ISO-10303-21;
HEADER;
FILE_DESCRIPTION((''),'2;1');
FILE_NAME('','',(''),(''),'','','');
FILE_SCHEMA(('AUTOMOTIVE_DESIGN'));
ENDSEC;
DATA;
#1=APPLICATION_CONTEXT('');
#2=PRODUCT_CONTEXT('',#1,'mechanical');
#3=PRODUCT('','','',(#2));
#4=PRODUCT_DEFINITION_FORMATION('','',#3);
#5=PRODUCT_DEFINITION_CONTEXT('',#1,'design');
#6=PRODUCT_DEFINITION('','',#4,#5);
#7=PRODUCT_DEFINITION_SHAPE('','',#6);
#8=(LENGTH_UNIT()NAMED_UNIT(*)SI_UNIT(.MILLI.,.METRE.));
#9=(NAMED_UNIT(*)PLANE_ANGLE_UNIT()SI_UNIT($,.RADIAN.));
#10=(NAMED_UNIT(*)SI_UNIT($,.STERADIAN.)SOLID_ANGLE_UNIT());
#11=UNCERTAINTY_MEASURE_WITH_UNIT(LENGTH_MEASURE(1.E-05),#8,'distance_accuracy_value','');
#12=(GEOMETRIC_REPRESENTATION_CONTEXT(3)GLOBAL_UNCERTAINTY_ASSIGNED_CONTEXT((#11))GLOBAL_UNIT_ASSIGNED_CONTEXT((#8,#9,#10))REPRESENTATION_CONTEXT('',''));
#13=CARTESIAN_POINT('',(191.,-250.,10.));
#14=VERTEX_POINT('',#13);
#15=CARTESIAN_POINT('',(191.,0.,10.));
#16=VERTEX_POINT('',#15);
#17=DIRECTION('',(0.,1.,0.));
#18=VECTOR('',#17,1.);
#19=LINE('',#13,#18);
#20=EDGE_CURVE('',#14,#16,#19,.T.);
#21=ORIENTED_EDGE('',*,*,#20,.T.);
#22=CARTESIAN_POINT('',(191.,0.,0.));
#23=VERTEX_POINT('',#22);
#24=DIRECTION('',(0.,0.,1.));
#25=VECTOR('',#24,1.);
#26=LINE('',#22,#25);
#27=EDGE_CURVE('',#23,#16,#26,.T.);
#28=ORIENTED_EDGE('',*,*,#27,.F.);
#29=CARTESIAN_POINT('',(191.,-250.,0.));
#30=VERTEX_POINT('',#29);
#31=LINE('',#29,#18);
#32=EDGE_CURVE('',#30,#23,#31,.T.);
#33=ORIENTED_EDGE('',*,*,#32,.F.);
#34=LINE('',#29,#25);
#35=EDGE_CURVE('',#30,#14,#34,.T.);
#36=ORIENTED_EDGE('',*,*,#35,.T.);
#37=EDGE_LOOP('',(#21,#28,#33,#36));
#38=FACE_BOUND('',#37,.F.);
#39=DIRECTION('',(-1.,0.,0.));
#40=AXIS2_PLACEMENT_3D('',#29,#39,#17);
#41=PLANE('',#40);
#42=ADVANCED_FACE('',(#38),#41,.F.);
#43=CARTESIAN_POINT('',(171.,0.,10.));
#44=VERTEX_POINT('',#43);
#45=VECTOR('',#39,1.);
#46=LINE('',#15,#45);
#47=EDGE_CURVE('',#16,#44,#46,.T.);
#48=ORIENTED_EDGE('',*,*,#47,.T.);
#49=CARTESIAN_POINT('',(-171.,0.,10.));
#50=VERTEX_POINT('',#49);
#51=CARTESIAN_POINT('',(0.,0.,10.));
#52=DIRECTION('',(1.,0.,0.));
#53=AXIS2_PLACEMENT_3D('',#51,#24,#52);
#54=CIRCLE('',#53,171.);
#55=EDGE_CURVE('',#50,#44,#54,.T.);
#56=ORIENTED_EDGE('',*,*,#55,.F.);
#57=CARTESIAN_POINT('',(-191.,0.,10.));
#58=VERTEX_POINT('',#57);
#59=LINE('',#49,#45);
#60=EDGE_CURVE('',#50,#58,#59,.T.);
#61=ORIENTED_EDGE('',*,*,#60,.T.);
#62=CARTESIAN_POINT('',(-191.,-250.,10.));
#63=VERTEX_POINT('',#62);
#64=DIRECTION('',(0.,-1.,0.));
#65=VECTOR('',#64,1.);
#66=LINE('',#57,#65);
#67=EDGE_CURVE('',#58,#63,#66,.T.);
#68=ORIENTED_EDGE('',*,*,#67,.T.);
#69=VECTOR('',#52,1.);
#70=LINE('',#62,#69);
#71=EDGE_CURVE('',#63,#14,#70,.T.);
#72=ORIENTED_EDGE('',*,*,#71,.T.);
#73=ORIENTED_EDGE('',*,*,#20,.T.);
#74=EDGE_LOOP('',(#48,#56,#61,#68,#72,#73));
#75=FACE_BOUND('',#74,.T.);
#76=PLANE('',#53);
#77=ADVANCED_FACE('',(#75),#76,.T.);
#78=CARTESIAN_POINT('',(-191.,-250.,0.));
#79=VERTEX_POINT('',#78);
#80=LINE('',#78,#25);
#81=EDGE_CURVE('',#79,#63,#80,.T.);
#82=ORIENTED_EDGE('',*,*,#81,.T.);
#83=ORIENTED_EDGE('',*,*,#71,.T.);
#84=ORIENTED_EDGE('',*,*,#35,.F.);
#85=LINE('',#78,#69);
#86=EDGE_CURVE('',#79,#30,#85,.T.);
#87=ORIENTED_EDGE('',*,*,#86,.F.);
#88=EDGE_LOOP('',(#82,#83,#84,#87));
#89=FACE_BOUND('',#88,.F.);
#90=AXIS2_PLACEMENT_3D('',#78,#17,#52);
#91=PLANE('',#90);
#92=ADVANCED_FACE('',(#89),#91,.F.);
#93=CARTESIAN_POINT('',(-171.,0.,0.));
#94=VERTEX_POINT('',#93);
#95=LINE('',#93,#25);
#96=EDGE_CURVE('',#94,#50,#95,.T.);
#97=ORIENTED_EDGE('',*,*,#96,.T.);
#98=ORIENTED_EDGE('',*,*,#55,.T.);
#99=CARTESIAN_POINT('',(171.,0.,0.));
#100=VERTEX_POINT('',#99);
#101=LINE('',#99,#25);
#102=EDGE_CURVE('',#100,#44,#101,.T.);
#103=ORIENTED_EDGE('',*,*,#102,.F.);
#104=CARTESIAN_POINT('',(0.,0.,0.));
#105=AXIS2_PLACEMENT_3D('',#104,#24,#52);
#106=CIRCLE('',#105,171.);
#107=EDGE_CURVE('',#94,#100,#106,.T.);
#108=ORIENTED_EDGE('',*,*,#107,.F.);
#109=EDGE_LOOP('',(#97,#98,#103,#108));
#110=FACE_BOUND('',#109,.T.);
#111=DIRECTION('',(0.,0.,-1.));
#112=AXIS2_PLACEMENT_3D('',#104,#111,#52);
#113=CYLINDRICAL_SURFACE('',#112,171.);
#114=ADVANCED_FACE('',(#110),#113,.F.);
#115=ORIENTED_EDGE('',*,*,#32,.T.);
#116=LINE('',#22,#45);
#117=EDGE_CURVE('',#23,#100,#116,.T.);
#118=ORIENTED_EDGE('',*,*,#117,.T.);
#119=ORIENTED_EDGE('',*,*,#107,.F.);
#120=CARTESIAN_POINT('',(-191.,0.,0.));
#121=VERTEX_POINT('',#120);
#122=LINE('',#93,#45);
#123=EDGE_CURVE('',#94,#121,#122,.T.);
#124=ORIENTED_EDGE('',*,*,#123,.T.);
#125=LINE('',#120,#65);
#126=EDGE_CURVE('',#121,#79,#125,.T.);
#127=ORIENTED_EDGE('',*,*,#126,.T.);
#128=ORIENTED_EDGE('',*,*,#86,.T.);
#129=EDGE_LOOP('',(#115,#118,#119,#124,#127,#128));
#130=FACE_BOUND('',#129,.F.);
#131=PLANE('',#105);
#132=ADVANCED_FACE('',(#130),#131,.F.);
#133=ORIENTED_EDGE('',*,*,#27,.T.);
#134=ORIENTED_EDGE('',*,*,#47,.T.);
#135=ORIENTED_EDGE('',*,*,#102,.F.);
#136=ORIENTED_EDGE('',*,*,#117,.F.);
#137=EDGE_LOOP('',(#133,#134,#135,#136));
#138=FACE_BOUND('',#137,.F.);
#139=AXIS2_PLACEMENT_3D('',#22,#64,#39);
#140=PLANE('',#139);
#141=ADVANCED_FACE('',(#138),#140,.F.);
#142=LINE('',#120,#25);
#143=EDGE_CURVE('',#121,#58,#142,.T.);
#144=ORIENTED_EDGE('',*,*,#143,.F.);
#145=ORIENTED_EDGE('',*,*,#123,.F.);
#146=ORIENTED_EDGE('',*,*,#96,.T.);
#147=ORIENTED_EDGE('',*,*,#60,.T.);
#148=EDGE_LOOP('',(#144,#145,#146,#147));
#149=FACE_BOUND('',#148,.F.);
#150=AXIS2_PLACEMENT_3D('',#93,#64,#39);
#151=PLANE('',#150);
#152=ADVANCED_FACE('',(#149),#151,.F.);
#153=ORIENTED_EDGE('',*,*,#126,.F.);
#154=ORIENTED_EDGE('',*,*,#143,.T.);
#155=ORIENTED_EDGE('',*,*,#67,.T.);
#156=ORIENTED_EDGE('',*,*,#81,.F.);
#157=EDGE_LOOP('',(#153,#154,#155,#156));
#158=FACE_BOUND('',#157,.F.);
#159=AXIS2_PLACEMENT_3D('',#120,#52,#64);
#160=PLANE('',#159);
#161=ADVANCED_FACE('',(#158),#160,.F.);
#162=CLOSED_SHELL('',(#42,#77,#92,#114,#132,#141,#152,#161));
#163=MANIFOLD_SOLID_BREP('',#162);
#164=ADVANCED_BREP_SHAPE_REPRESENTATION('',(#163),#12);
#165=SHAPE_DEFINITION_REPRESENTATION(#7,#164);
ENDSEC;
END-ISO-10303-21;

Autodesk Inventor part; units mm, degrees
ref_plane "YZ Plane" through (0, 0, 0) normal (1, 0, 0) x (0, 1, 0)
ref_plane "XZ Plane" through (0, 0, 0) normal (0, 1, 0) x (-1, 0, 0)
ref_plane "XY Plane" through (0, 0, 0) normal (0, 0, 1) x (1, 0, 0)
sketch "Sketch1" plane through (0, 0, 0) normal (0, 0, 1) x (1, 0, 0)
  line L0 (0, 211.738) -> (0, 171) construction
  line L1 (0, 211.738) -> (0, 171) construction
  circle A0 centre (0, 0) radius 171
  line L2 (-171, 0) -> (-191, 0)
  line L3 (-191, 0) -> (-191, -250)
  line L4 (-191, -250) -> (191, -250)
  line L5 (191, -250) -> (191, 0)
  line L6 (191, 0) -> (171, 0)
  dimension "d46" = 342
  dimension "d47" = 20
  dimension "d49" = 250
extrude "Plate1" add sketch "Sketch1" along normal blind 10 contours L6 L5 L4 L3 L2 A0
equation "\"d50\" = Thickness"
equation "\"BendReliefDepth\" = 0.5 * Thickness"
equation "\"Thickness\" = 10"
properties part number "ДМФ 091 Постель НОС v2.0"
